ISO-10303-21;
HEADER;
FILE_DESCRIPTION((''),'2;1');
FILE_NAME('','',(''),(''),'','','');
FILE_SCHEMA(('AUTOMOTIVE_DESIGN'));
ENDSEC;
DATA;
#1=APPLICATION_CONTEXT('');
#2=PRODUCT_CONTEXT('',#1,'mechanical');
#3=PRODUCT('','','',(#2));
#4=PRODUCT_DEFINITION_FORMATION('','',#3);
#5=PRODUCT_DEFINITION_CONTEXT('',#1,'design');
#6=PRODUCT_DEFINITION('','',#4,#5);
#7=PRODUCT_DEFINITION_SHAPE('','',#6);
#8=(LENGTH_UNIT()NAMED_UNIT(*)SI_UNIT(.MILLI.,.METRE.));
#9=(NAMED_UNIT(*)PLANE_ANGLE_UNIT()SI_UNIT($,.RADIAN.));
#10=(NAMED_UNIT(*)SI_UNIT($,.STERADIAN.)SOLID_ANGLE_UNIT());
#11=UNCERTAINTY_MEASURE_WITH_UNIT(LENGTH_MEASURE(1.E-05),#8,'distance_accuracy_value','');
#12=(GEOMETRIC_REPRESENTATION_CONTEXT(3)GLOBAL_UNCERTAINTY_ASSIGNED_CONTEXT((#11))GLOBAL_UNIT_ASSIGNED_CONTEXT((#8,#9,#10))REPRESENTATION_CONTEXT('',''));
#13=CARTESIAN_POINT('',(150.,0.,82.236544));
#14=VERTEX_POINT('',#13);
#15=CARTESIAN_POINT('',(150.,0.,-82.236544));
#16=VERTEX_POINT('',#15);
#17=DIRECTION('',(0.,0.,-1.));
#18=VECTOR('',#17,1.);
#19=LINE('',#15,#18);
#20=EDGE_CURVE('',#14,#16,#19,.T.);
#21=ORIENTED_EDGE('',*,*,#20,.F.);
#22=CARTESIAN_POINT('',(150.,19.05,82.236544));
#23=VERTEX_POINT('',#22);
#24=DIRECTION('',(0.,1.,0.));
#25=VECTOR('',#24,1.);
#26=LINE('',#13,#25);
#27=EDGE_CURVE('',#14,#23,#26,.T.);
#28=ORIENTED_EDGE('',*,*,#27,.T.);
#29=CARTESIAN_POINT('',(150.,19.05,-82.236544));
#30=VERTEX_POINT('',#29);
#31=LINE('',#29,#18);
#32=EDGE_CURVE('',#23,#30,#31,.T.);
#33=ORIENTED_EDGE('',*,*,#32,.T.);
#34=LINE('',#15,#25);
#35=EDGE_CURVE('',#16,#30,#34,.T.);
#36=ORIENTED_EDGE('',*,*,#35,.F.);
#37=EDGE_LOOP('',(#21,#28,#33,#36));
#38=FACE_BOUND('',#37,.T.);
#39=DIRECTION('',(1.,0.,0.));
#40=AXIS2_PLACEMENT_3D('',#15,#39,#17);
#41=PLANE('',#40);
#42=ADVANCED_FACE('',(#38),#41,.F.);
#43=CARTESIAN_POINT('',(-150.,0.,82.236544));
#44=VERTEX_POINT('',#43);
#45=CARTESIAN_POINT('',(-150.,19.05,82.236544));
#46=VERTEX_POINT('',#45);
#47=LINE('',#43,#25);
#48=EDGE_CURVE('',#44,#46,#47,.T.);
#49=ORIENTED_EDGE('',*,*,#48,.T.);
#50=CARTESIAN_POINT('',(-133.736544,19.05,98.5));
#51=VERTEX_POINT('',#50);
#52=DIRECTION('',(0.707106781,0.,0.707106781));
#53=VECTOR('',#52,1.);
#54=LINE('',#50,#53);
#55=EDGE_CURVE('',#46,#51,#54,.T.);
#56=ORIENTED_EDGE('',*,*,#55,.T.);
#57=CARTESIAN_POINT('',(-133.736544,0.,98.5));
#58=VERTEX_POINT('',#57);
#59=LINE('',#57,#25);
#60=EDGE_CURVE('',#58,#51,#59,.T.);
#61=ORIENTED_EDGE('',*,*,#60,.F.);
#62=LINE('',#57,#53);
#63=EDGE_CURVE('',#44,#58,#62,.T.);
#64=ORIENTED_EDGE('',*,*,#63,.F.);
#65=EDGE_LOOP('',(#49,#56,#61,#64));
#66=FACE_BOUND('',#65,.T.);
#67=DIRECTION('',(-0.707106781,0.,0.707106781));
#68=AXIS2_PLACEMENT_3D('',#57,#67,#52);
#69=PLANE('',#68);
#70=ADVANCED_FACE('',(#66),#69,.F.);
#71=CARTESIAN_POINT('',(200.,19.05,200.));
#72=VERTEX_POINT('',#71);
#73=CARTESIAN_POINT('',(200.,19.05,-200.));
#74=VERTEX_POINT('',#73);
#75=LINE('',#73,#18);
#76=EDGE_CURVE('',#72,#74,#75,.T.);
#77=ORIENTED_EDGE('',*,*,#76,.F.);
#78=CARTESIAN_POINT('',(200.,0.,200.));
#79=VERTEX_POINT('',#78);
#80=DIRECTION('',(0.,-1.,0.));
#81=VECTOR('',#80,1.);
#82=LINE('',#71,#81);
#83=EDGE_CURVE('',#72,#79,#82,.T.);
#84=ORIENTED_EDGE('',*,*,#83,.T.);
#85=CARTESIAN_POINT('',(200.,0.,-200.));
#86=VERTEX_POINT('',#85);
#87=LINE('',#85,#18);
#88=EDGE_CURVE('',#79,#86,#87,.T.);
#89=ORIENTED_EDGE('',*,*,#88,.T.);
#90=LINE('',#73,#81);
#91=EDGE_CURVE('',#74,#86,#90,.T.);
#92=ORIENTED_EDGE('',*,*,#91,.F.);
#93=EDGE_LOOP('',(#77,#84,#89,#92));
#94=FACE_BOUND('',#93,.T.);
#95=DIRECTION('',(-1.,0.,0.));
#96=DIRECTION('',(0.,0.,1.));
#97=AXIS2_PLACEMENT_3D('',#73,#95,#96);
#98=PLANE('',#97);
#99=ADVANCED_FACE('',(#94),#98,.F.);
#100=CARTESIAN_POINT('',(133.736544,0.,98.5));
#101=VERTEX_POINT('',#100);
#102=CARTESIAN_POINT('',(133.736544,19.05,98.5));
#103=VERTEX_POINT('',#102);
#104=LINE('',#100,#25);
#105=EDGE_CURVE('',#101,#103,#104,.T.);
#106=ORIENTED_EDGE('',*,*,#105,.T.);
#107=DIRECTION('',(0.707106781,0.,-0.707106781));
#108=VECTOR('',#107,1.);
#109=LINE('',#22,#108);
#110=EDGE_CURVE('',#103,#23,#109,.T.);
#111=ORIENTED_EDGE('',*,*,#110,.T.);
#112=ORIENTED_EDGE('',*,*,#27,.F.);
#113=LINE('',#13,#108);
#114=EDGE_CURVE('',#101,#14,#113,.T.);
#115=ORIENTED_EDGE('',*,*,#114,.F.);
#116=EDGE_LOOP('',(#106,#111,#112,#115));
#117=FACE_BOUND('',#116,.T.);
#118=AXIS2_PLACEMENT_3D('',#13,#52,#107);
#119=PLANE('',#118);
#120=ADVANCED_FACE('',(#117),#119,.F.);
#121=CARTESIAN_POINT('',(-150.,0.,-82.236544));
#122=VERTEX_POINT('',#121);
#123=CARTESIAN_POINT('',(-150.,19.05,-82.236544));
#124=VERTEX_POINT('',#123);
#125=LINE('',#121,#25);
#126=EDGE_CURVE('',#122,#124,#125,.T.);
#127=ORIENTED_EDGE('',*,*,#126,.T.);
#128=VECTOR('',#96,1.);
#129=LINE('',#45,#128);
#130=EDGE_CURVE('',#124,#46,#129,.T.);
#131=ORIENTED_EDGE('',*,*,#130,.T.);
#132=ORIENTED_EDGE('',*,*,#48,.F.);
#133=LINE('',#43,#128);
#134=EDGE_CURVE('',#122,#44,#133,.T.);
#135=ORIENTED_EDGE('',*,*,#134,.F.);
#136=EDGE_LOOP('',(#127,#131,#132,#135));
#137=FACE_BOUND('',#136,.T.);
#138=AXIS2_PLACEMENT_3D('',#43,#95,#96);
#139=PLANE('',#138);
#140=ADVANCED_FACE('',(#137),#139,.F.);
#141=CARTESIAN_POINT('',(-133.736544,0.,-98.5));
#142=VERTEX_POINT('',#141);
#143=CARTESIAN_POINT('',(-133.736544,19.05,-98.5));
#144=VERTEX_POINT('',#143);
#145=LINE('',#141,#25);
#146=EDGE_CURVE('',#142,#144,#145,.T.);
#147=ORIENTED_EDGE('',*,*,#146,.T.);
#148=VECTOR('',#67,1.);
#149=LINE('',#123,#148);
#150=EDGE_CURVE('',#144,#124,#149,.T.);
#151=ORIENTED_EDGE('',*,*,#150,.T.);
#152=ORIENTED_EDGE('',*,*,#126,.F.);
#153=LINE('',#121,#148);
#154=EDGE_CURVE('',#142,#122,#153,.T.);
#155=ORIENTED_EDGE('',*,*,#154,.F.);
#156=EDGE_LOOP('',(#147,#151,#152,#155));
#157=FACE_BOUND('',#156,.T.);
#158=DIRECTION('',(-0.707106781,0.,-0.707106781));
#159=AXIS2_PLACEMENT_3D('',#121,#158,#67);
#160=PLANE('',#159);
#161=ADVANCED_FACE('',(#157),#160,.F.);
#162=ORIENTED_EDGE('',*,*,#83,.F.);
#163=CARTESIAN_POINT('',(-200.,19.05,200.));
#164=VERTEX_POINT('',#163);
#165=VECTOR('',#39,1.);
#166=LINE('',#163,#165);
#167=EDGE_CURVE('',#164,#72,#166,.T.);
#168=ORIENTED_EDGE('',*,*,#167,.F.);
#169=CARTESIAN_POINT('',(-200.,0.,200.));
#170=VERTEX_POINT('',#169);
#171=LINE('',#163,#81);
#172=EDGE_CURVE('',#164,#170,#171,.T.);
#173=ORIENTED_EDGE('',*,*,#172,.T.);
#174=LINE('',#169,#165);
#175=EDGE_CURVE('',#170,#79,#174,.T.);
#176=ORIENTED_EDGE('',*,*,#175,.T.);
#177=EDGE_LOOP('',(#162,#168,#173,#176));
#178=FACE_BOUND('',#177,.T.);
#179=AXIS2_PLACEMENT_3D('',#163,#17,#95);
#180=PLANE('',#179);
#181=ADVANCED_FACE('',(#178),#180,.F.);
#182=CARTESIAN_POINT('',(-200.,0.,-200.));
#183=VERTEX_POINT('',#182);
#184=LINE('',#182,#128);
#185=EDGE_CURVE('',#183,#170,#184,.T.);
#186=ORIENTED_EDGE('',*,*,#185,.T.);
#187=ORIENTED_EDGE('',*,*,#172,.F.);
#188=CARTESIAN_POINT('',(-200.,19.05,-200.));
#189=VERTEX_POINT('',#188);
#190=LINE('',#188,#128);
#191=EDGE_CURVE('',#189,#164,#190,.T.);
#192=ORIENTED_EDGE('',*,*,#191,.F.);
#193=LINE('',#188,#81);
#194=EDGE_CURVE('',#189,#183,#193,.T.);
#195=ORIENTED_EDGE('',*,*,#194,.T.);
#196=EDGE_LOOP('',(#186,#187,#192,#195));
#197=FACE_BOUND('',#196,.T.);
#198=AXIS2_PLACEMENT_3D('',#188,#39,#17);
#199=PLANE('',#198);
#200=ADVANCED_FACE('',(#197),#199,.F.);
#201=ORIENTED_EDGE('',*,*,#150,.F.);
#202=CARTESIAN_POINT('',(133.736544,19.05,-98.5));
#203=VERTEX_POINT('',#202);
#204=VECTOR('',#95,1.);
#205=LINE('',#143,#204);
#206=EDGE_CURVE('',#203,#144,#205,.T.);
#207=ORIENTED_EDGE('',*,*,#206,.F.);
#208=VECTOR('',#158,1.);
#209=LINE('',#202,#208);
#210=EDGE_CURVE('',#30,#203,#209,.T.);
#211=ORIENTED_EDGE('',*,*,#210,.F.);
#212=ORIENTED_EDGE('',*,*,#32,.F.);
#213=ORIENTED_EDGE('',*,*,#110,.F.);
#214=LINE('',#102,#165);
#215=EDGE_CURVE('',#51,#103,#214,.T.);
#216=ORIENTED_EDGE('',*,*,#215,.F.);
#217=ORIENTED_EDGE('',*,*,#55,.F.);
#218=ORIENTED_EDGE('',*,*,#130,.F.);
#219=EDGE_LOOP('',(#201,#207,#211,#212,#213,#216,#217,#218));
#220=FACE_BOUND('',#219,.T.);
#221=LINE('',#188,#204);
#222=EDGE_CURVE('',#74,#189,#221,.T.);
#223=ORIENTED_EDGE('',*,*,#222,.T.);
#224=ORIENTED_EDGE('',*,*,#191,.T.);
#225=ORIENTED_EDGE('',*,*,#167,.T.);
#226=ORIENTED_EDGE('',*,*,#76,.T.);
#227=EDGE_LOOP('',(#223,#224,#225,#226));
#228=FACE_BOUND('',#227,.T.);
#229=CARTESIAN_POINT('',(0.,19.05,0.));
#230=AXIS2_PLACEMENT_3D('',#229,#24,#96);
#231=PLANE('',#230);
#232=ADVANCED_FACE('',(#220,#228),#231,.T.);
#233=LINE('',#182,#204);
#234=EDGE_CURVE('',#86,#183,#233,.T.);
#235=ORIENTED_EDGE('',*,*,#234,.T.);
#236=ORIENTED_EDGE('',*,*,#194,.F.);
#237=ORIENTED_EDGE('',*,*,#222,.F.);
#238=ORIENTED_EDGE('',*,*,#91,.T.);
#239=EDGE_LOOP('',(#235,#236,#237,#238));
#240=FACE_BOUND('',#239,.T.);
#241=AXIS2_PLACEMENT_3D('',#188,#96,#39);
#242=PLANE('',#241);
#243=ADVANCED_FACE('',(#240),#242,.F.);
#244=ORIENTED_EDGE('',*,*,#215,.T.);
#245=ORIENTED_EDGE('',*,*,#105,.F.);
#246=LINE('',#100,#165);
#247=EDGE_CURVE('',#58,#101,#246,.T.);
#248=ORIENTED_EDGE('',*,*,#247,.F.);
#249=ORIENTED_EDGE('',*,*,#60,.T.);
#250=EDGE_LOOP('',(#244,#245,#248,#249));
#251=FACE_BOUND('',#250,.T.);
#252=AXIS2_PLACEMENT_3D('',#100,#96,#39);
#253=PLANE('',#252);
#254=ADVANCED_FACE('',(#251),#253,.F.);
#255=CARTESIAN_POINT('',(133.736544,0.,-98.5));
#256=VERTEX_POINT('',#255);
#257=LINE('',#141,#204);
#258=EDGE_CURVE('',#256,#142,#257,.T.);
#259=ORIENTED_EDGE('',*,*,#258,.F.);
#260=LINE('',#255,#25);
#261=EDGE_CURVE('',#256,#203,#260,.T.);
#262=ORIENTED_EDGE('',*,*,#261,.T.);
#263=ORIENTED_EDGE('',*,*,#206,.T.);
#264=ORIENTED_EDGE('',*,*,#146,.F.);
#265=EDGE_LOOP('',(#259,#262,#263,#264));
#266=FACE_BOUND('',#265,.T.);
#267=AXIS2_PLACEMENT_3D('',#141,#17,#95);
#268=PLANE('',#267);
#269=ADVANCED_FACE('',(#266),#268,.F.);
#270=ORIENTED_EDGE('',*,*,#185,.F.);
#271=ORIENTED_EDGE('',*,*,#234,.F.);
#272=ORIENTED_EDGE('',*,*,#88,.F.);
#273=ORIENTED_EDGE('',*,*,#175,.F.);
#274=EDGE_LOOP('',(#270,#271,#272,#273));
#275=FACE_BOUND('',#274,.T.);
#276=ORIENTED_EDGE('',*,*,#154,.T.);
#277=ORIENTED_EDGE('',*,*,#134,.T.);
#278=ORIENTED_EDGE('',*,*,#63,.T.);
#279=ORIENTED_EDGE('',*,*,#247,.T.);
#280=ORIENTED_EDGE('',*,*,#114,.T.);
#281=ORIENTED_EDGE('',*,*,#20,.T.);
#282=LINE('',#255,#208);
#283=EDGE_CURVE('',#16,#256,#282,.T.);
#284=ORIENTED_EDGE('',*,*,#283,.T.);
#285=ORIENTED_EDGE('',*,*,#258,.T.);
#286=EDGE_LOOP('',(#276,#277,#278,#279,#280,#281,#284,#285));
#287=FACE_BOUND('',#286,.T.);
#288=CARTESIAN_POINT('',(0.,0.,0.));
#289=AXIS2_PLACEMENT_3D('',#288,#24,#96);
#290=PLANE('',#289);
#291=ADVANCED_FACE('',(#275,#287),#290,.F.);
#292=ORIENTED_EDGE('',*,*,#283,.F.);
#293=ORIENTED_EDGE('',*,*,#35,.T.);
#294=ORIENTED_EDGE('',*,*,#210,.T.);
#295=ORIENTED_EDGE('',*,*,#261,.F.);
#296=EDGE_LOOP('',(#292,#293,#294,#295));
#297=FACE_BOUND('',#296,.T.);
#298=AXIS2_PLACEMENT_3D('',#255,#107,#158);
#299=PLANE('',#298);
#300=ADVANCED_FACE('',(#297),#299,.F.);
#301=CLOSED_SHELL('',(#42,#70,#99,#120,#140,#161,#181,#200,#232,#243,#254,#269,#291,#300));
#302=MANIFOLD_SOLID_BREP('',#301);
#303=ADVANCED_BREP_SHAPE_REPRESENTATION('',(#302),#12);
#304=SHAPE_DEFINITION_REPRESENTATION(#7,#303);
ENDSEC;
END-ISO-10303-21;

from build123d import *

# Parameters (mm, degrees)
SKETCH1_W           = 400
SKETCH1_H           = 400
BOSS_EXTRUDE1_DEPTH = 19.05
CUT_EXTRUDE1_DEPTH  = 284.48351363


with BuildPart() as part:
    # Sketch1 → Boss-Extrude1 (new body)
    with BuildSketch(Plane(origin=(0, 0, 0), x_dir=(1, 0, 0), z_dir=(0, 1, 0))):
        Rectangle(SKETCH1_W, SKETCH1_H)
    extrude(amount=BOSS_EXTRUDE1_DEPTH)

    # Sketch2 → Cut-Extrude1 (cut, through all)
    with BuildSketch(Plane(origin=(0, 19.05, 0), x_dir=(1, 0, 0), z_dir=(0, 1, 0))):
        Polygon((-150, -82.236544033), (-150, 82.236544033), (-133.736544033, 98.5), (133.736544033, 98.5), (150, 82.236544033), (150, -82.236544033), (133.736544033, -98.5), (-133.736544033, -98.5), align=None)
    extrude(amount=-CUT_EXTRUDE1_DEPTH, mode=Mode.SUBTRACT)


solid = part.part
